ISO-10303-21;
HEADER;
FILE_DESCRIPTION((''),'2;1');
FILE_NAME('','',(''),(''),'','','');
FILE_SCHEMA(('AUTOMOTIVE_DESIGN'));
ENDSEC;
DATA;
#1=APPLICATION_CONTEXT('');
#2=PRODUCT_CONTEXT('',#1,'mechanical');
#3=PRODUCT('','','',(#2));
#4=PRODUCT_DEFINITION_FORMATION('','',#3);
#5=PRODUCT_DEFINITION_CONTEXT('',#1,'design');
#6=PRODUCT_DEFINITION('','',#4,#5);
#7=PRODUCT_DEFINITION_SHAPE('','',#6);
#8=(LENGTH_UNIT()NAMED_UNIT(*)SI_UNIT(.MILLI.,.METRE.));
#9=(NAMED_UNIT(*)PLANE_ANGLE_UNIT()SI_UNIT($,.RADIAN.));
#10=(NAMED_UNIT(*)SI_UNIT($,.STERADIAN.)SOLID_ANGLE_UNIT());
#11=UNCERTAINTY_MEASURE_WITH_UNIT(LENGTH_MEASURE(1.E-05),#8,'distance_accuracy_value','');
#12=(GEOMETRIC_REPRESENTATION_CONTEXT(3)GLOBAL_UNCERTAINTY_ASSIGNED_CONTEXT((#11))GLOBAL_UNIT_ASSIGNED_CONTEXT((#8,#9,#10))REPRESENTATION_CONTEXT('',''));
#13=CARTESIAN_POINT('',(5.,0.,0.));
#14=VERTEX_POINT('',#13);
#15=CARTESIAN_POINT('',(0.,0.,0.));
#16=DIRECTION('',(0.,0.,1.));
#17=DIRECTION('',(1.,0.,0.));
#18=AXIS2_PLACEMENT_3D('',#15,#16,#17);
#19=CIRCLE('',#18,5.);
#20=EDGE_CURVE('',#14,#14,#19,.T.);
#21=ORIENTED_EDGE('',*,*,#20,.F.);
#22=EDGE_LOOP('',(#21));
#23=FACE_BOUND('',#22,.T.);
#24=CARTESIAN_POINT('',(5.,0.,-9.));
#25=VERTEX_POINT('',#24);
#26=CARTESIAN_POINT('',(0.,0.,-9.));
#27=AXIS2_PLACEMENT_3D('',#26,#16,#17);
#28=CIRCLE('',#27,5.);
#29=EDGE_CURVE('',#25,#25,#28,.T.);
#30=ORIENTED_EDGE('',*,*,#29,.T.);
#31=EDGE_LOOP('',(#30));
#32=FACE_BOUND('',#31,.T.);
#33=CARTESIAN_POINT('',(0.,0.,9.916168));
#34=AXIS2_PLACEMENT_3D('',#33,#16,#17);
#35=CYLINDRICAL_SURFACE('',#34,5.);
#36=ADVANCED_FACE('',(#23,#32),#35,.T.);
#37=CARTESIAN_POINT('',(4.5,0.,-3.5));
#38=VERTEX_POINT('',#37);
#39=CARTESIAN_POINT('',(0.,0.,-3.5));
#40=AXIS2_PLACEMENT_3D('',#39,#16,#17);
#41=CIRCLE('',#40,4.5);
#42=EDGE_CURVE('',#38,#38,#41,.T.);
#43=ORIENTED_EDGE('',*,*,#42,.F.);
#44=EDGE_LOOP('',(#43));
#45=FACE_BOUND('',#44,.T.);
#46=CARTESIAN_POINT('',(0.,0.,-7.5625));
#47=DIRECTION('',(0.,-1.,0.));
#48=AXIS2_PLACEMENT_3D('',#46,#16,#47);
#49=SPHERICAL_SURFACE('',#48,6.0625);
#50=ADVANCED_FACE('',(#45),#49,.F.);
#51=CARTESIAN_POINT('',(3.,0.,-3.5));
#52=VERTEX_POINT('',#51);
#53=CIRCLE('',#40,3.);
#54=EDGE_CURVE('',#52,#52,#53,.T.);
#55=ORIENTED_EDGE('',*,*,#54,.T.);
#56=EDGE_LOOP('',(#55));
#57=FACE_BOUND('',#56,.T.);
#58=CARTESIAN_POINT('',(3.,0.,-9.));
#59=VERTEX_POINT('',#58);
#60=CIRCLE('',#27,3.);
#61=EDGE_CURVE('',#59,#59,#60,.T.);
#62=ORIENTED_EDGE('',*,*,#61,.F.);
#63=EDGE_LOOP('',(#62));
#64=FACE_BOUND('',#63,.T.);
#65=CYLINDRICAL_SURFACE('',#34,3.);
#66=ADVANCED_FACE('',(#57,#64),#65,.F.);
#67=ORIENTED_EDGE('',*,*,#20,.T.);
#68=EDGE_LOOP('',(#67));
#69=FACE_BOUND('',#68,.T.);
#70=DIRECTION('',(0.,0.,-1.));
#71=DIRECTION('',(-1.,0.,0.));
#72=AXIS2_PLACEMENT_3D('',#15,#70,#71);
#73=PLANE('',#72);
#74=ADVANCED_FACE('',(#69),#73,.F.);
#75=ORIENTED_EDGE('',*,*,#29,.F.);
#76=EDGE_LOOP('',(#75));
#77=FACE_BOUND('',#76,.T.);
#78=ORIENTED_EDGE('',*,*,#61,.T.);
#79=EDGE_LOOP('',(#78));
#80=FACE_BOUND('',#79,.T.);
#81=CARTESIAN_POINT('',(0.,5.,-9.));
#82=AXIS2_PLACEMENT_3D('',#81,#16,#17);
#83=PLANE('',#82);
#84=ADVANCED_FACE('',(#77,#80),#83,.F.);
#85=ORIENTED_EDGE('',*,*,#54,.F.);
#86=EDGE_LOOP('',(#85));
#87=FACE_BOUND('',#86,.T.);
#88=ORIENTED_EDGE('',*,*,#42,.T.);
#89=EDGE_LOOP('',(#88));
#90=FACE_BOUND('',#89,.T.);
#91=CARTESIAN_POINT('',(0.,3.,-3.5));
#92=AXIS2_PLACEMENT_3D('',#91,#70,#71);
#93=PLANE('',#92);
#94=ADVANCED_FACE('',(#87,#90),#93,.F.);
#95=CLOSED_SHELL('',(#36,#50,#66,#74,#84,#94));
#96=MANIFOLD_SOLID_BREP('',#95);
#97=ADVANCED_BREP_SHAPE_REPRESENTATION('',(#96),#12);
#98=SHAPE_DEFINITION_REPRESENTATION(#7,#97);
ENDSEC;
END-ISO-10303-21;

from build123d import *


with BuildPart() as part:
    # Эскиз1 → Повернуть1 (revolve)
    with BuildSketch(Plane(origin=(0, 0, 0), x_dir=(0, 0, -1), z_dir=(1, 0, 0)), mode=Mode.PRIVATE) as revolve_1_sk:
        with BuildLine():
            Line((0, 0), (0, 5))
            Line((0, 5), (9, 5))
            Line((9, 5), (9, 3))
            Line((9, 3), (3.5, 3))
            Line((3.5, 3), (3.5, 4.5))
            ThreePointArc((3.5, 4.5), (2.022517486, 2.46221445), (1.5, 0))
            Line((1.5, 0), (0, 0))
        make_face()
    revolve(revolve_1_sk.sketch.rotate(Axis((0, 0, 9.916167665), (0, 0, -1)), 90), axis=Axis((0, 0, 9.916167665), (0, 0, -1)))


solid = part.part
